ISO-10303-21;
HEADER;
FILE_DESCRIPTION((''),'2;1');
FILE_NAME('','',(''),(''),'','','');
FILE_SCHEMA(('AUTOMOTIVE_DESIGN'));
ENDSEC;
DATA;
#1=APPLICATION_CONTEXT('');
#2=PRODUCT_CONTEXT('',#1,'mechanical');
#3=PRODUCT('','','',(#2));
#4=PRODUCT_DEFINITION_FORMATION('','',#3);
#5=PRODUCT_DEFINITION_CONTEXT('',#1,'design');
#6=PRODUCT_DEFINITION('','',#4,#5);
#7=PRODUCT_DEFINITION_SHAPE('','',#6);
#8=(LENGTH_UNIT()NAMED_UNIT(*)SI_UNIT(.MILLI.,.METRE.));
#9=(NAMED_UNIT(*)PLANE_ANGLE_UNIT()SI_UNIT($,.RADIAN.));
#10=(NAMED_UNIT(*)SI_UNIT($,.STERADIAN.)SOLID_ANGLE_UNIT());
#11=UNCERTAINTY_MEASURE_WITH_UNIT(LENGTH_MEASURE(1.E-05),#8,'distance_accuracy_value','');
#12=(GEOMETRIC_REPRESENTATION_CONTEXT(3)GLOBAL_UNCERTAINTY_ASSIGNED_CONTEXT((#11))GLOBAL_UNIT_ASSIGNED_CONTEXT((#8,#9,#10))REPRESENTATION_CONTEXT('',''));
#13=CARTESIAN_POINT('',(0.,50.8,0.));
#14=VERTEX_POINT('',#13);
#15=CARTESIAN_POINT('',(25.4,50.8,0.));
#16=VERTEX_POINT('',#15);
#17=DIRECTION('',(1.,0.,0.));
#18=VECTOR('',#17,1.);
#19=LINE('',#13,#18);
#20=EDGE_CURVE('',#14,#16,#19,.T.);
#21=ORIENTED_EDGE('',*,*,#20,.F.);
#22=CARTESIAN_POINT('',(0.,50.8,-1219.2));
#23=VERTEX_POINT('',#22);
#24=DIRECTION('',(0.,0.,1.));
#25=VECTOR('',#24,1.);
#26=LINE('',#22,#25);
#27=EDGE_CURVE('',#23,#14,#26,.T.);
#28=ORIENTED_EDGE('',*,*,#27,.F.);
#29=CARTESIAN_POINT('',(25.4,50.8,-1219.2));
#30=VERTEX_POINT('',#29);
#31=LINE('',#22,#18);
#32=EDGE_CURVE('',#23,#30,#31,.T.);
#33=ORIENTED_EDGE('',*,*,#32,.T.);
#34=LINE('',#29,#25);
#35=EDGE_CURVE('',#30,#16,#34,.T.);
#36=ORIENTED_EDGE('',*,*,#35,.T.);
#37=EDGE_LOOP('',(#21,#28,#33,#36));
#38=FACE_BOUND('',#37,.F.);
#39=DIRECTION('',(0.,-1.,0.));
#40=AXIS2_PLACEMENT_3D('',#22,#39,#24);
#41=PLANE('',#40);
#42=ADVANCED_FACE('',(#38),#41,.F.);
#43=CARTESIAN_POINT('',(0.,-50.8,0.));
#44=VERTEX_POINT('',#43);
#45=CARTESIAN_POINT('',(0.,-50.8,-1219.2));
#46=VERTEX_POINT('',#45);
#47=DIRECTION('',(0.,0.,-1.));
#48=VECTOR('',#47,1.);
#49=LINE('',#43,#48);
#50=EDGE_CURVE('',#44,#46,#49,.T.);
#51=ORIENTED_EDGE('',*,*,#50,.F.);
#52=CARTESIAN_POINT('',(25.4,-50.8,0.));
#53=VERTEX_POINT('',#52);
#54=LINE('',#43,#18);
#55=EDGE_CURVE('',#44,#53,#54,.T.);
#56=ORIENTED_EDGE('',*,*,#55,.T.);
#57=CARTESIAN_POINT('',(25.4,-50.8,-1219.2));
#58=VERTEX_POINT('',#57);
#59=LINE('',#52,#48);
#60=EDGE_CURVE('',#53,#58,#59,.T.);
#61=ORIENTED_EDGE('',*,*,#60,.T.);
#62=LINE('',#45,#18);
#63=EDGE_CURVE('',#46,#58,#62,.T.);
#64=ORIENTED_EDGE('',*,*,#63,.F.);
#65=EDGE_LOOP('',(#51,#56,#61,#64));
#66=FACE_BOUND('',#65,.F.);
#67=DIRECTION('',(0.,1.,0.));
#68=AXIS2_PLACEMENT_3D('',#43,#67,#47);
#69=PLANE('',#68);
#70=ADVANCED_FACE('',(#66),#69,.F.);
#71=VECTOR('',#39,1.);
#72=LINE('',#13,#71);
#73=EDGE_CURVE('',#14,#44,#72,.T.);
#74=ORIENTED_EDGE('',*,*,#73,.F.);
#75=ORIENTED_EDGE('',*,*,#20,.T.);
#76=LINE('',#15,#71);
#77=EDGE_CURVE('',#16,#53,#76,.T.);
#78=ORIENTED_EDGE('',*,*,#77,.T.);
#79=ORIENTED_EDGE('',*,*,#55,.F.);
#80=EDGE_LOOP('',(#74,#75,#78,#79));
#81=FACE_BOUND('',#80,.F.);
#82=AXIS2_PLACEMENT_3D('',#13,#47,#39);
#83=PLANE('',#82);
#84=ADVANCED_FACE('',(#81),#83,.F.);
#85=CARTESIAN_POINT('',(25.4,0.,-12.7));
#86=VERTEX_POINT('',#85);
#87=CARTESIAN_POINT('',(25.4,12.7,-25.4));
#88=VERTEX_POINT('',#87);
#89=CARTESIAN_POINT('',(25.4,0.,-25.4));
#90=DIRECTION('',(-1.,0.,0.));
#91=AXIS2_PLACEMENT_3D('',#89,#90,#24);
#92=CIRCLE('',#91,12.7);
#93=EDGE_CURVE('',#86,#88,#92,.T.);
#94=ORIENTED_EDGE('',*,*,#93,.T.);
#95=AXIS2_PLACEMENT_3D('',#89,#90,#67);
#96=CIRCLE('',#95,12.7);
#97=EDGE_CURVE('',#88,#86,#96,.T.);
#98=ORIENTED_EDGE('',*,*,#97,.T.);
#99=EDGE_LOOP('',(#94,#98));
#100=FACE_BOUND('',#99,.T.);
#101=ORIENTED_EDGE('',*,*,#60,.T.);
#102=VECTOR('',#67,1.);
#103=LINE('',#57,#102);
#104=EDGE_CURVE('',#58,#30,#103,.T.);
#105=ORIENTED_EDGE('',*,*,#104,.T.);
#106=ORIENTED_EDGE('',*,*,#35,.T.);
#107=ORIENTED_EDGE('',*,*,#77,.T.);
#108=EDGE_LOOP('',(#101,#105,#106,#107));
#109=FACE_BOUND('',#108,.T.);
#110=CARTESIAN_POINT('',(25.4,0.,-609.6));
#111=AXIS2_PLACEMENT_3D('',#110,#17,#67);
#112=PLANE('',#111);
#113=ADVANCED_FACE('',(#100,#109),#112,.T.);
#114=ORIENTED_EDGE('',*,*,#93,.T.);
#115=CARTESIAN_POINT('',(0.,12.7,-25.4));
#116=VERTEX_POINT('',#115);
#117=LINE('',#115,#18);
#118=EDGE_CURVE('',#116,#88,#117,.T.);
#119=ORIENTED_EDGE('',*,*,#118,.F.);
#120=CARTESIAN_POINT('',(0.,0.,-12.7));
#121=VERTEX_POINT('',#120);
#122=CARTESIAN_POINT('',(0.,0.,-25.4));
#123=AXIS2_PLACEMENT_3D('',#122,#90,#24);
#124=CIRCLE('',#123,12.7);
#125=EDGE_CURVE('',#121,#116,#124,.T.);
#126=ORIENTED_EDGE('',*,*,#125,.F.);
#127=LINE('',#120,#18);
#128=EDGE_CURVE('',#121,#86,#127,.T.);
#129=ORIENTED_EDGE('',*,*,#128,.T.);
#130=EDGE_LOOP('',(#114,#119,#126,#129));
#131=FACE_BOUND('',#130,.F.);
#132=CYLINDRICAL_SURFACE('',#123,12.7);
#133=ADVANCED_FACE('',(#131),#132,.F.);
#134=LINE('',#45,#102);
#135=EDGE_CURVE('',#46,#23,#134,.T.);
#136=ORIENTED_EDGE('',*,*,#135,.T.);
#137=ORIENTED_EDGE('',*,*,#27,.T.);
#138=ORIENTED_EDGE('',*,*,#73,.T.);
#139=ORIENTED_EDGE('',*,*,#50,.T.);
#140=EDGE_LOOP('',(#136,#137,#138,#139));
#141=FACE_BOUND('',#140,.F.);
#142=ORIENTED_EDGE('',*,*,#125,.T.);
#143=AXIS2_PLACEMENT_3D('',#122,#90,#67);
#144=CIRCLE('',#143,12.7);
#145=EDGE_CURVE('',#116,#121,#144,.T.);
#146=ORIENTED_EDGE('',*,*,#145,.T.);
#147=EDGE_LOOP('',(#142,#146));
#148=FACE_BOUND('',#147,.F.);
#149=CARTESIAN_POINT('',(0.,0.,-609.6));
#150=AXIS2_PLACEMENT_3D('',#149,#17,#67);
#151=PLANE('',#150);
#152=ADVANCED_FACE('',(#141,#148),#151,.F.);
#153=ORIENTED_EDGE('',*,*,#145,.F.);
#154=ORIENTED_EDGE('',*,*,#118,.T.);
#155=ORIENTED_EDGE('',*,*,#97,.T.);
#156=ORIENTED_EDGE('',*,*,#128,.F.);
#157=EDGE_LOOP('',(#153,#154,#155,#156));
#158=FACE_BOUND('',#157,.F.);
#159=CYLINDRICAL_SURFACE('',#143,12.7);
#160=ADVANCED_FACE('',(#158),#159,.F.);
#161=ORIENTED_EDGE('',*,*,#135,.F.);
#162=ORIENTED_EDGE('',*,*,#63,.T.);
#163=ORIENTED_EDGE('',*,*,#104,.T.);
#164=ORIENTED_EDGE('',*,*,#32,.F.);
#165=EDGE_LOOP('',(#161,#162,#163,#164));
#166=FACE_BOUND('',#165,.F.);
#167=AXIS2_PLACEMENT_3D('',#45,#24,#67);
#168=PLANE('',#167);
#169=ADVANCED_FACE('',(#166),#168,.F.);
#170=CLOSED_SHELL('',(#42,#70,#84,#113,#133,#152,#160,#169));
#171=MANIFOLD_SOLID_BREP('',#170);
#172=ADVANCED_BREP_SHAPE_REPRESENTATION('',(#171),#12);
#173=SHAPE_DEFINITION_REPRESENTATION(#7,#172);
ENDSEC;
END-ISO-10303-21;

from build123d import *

# Parameters (mm, degrees)
F1_DEPTH = 25.4


with BuildPart() as f1:
    # F0 (on Right) → F1 (new body)
    with BuildSketch(Plane.YZ):
        Polygon((50.8, 0), (0, 0), (-50.8, 0), (-50.8, -1219.2), (50.8, -1219.2), align=None)
        with BuildLine():
            ThreePointArc((12.7, -25.4), (-8.9802561211, -34.3802561211), (0, -12.7))
            ThreePointArc((0, -12.7), (8.9802561211, -16.4197438789), (12.7, -25.4))
        make_face(mode=Mode.SUBTRACT)
    extrude(amount=F1_DEPTH)


solid = f1.part
